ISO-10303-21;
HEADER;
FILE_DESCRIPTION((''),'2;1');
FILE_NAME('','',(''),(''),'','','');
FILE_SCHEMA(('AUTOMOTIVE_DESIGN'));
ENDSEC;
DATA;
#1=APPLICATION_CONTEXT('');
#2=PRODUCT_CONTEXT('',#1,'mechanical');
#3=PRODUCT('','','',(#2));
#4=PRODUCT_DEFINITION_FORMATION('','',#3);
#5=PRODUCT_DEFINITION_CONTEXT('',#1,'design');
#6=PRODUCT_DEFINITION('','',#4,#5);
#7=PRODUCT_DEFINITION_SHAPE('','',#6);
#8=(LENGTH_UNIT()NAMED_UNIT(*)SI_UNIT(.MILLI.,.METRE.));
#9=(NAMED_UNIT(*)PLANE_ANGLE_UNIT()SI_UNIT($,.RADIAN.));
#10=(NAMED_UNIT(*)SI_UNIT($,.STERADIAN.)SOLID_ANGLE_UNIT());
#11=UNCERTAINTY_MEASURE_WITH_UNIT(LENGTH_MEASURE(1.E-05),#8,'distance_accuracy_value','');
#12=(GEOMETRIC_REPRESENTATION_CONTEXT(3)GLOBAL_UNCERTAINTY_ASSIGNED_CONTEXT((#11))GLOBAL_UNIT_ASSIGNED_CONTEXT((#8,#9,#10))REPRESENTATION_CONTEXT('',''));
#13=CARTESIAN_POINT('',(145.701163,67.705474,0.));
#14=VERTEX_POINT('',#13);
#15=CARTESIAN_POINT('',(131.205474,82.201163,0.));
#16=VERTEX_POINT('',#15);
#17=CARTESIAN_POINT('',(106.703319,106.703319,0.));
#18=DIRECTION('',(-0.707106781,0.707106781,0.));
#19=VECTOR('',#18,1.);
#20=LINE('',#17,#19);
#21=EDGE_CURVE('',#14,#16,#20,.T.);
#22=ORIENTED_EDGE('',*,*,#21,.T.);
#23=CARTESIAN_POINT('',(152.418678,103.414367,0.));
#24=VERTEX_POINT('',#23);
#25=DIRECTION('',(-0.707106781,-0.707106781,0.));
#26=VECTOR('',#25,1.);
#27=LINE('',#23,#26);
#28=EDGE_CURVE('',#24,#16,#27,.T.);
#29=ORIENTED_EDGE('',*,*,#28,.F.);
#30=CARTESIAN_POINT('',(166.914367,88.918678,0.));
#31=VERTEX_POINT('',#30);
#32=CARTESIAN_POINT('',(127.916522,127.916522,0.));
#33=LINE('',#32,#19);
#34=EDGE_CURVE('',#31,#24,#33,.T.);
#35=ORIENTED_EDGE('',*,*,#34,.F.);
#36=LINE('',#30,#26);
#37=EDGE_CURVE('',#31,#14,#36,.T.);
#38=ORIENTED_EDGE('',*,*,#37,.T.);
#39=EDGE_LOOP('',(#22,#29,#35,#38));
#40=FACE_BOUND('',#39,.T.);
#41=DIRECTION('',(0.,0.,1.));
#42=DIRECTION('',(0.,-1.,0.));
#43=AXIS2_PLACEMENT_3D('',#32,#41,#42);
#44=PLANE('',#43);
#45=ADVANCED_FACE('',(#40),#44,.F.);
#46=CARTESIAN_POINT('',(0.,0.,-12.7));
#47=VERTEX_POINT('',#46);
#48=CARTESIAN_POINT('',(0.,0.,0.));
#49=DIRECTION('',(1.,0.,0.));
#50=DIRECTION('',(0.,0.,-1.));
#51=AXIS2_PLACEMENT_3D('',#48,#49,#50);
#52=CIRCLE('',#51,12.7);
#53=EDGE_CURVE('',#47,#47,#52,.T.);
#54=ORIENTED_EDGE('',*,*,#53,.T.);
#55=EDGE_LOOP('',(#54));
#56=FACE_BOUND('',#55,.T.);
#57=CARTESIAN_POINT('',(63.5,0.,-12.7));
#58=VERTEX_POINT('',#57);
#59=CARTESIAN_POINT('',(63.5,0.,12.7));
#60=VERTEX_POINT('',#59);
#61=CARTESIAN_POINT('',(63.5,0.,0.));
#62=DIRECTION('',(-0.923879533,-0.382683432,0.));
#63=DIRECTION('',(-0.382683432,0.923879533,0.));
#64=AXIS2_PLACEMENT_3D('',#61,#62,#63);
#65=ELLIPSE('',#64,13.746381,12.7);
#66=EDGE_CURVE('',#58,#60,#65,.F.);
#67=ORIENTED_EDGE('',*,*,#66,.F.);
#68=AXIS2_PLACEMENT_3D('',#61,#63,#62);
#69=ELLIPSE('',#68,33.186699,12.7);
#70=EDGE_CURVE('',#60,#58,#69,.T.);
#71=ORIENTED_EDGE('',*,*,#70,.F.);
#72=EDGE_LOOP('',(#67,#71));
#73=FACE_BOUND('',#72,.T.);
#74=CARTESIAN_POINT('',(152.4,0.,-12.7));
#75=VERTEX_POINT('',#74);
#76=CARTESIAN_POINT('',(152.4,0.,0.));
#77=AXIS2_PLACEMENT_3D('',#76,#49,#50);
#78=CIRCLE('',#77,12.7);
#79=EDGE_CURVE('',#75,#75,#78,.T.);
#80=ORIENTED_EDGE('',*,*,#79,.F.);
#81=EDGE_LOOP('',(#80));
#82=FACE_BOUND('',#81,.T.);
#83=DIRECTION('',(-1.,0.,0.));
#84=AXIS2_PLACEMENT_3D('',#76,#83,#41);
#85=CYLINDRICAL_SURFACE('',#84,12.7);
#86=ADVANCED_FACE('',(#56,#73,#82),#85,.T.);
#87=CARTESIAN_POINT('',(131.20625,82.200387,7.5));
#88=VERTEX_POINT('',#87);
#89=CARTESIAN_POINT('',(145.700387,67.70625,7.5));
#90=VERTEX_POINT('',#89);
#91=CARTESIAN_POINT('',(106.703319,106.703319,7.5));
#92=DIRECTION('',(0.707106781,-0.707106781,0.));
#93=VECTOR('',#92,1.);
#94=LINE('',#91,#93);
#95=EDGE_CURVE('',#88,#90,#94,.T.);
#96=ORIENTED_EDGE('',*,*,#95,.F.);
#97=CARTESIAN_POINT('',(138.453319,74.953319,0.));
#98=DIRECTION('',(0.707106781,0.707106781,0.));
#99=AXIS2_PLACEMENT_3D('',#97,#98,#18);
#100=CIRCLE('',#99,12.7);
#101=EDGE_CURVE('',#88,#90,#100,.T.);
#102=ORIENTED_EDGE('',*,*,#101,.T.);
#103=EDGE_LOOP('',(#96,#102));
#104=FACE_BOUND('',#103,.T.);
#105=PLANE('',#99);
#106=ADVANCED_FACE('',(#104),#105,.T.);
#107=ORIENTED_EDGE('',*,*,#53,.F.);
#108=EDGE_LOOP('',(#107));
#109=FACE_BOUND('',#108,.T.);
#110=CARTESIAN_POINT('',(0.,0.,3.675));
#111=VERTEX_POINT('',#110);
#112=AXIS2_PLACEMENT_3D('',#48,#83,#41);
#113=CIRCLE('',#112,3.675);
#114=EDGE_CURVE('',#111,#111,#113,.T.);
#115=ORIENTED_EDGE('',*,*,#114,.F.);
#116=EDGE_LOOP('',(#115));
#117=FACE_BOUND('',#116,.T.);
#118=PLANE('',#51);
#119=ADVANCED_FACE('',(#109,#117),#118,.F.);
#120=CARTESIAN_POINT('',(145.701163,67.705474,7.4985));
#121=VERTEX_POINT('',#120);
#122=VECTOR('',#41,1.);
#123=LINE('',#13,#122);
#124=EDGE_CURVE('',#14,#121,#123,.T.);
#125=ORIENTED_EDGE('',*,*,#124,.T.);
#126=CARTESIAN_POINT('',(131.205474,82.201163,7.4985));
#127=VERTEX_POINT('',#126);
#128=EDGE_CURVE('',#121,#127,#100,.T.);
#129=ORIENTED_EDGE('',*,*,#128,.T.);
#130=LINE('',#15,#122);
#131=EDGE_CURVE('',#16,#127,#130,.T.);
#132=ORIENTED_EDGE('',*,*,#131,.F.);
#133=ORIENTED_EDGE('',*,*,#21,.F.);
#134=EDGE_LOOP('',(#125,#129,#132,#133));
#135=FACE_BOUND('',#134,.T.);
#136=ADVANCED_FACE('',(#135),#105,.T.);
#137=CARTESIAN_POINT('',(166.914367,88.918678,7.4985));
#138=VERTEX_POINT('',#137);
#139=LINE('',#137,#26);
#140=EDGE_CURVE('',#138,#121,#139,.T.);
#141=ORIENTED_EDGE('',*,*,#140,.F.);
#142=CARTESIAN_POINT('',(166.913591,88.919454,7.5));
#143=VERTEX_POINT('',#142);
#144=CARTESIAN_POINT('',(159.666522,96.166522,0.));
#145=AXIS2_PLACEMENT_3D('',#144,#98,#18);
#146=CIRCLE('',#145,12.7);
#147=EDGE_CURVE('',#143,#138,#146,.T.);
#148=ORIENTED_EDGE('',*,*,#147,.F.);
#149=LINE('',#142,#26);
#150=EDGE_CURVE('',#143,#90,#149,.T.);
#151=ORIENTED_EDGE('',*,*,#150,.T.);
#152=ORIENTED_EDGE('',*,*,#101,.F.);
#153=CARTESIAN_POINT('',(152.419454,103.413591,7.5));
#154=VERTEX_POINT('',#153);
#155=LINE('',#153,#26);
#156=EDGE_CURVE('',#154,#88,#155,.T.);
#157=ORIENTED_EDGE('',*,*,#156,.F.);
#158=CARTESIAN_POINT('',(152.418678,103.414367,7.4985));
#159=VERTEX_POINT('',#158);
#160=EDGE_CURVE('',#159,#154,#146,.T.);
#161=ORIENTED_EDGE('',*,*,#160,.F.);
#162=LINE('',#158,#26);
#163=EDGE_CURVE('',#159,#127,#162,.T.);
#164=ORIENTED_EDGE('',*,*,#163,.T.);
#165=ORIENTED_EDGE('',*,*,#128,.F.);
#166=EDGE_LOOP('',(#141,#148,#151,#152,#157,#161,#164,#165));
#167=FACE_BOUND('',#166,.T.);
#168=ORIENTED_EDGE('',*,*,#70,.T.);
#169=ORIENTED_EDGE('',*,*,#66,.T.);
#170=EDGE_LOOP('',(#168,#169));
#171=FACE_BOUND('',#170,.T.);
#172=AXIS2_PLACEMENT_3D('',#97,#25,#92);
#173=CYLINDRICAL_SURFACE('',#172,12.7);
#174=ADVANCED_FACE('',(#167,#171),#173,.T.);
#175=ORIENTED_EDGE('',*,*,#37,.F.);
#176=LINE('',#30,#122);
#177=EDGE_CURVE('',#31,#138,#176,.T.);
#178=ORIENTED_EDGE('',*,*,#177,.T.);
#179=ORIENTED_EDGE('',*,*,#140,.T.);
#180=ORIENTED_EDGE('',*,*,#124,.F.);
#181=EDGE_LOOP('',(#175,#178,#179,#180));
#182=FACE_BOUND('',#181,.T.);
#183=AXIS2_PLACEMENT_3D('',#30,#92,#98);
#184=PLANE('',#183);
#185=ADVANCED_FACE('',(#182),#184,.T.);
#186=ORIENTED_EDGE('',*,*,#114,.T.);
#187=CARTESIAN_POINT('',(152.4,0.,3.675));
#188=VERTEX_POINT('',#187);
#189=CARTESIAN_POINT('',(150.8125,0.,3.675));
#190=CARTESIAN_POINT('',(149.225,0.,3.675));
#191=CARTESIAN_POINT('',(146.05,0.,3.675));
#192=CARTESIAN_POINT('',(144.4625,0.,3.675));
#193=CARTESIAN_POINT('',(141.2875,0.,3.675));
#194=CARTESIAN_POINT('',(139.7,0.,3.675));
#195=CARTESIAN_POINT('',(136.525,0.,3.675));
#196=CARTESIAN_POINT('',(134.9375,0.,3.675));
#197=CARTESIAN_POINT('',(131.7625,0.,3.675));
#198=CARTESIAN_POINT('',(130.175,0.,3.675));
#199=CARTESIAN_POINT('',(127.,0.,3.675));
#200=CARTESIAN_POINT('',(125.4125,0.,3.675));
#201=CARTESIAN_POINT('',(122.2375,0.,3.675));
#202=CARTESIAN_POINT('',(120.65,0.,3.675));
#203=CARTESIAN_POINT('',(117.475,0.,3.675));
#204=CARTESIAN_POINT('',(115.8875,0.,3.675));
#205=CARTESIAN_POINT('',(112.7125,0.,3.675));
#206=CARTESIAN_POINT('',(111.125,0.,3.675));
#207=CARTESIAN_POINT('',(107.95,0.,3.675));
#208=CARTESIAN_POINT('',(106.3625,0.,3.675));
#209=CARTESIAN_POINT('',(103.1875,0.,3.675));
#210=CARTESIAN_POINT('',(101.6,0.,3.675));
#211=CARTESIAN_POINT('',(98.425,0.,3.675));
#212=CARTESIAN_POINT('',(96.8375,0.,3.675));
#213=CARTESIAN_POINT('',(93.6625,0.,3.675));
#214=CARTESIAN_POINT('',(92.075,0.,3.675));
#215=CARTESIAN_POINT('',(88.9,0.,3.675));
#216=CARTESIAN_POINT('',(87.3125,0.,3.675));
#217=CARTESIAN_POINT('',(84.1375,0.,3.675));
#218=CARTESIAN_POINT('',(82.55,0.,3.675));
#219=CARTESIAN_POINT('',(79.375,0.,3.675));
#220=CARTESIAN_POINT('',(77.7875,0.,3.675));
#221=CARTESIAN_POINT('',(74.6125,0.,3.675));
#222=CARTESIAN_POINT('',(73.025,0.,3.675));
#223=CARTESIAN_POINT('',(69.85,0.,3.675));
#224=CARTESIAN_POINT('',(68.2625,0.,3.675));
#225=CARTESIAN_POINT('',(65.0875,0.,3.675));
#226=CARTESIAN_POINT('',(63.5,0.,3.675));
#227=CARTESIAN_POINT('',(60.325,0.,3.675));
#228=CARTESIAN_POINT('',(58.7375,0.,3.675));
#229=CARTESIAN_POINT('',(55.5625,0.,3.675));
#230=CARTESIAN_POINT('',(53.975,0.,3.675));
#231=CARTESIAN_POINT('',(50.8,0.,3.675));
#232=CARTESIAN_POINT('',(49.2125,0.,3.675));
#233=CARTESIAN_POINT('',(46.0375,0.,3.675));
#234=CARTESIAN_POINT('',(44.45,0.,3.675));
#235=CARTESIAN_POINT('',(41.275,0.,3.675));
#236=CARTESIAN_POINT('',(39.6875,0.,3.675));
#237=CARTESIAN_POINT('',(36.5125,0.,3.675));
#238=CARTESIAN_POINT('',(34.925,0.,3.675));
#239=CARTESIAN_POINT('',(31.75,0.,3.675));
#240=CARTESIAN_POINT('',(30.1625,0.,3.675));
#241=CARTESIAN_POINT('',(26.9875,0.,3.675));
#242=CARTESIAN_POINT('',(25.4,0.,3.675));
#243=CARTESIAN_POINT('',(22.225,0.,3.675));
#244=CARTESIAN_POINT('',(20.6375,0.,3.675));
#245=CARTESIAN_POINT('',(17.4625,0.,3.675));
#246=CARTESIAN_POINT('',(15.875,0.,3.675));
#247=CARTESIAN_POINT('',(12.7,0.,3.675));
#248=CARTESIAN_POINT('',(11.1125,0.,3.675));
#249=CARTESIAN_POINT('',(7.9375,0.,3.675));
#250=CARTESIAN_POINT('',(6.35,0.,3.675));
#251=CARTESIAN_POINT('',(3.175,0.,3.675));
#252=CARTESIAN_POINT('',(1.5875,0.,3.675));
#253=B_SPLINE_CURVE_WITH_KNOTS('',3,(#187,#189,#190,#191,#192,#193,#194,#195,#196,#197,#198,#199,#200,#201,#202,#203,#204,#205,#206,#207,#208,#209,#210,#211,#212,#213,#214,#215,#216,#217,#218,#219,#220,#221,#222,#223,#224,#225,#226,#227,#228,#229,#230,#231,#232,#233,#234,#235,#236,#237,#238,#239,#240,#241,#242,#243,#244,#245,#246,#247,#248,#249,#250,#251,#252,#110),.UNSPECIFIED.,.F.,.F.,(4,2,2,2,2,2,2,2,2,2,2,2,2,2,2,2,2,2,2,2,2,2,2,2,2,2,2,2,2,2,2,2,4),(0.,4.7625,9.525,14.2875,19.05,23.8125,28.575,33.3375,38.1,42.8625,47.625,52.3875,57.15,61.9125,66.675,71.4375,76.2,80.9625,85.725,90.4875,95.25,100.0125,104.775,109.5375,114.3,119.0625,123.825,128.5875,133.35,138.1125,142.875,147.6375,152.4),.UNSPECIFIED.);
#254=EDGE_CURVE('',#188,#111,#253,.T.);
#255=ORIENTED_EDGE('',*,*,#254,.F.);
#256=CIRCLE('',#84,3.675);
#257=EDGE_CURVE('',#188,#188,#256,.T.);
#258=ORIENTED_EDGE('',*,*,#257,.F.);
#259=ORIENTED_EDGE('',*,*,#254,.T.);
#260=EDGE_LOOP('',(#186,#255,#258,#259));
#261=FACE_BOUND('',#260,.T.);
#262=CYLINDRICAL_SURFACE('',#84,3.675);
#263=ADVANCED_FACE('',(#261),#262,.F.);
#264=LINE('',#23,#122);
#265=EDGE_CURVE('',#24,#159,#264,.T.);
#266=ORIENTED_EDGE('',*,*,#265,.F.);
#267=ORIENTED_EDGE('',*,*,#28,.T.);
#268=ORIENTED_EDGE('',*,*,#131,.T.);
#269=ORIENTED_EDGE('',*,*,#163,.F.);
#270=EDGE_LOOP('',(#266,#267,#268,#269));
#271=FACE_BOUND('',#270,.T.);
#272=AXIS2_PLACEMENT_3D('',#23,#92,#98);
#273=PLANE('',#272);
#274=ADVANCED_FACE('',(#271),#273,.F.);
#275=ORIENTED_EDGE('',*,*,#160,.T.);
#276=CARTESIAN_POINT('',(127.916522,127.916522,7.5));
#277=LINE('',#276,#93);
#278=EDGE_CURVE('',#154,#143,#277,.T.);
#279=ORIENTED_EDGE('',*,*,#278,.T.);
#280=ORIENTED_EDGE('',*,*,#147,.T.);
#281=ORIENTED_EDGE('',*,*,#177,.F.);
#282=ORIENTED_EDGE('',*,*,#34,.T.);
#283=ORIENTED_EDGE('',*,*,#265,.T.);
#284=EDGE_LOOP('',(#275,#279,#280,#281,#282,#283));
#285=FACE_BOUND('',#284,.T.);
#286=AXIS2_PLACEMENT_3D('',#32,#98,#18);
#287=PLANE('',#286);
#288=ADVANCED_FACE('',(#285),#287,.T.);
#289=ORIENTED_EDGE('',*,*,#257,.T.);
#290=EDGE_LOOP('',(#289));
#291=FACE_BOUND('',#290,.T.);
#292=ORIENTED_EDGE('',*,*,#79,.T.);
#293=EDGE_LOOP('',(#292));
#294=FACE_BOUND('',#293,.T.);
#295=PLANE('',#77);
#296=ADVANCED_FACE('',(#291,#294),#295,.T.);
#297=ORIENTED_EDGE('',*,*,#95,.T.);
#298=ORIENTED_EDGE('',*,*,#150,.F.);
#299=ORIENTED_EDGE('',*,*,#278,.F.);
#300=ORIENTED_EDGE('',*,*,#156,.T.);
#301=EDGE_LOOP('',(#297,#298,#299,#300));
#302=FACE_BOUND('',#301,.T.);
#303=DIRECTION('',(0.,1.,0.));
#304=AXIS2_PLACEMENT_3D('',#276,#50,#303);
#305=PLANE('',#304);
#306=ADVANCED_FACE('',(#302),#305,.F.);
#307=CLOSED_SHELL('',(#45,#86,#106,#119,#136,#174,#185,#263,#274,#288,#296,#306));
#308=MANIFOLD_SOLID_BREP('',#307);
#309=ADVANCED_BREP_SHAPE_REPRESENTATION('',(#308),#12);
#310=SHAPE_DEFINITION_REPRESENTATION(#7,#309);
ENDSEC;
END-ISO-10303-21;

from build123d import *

# Parameters (mm, degrees)
SKETCH1_R           = 12.7
BOSS_EXTRUDE1_DEPTH = 152.4
SKETCH5_R           = 12.7
BOSS_EXTRUDE3_DEPTH = 106
SKETCH6_W           = 7.5
SKETCH6_H           = 20.5
BOSS_EXTRUDE5_DEPTH = 30
SKETCH7_R           = 3.675
CUT_EXTRUDE1_DEPTH  = 152.4


with BuildPart() as part:
    # Sketch1 → Boss-Extrude1 (new body)
    with BuildSketch(Plane(origin=(0, 0, 0), x_dir=(0, 0, -1), z_dir=(1, 0, 0))):
        with Locations(Location((0, 0, 0), (0, 0, 180))):
            Circle(SKETCH1_R)
    extrude(amount=BOSS_EXTRUDE1_DEPTH)

    # Sketch5 → Boss-Extrude3 (add)
    with BuildSketch(Plane(origin=(31.75, 31.75, 0), x_dir=(0.7071067811865464, -0.7071067811865488, 0), z_dir=(0.7071067811865488, 0.7071067811865464, 0))):
        with Locations(Location((44.901280605, 0, 0), (0, 0, 90))):
            Circle(SKETCH5_R)
    extrude(amount=BOSS_EXTRUDE3_DEPTH)

    # Sketch6 → Boss-Extrude5 (add)
    with BuildSketch(Plane(origin=(106.703318806, 106.703318806, 0), x_dir=(0, 0, -1), z_dir=(0.7071067811865487, 0.7071067811865465, 0))):
        with Locations((-3.75, -44.901280605)):
            Rectangle(SKETCH6_W, SKETCH6_H)
    extrude(amount=BOSS_EXTRUDE5_DEPTH)

    # Sketch7 → Cut-Extrude1 (cut)
    with BuildSketch(Plane.ZY):
        Circle(SKETCH7_R)
    extrude(amount=-CUT_EXTRUDE1_DEPTH, mode=Mode.SUBTRACT)


solid = part.part
